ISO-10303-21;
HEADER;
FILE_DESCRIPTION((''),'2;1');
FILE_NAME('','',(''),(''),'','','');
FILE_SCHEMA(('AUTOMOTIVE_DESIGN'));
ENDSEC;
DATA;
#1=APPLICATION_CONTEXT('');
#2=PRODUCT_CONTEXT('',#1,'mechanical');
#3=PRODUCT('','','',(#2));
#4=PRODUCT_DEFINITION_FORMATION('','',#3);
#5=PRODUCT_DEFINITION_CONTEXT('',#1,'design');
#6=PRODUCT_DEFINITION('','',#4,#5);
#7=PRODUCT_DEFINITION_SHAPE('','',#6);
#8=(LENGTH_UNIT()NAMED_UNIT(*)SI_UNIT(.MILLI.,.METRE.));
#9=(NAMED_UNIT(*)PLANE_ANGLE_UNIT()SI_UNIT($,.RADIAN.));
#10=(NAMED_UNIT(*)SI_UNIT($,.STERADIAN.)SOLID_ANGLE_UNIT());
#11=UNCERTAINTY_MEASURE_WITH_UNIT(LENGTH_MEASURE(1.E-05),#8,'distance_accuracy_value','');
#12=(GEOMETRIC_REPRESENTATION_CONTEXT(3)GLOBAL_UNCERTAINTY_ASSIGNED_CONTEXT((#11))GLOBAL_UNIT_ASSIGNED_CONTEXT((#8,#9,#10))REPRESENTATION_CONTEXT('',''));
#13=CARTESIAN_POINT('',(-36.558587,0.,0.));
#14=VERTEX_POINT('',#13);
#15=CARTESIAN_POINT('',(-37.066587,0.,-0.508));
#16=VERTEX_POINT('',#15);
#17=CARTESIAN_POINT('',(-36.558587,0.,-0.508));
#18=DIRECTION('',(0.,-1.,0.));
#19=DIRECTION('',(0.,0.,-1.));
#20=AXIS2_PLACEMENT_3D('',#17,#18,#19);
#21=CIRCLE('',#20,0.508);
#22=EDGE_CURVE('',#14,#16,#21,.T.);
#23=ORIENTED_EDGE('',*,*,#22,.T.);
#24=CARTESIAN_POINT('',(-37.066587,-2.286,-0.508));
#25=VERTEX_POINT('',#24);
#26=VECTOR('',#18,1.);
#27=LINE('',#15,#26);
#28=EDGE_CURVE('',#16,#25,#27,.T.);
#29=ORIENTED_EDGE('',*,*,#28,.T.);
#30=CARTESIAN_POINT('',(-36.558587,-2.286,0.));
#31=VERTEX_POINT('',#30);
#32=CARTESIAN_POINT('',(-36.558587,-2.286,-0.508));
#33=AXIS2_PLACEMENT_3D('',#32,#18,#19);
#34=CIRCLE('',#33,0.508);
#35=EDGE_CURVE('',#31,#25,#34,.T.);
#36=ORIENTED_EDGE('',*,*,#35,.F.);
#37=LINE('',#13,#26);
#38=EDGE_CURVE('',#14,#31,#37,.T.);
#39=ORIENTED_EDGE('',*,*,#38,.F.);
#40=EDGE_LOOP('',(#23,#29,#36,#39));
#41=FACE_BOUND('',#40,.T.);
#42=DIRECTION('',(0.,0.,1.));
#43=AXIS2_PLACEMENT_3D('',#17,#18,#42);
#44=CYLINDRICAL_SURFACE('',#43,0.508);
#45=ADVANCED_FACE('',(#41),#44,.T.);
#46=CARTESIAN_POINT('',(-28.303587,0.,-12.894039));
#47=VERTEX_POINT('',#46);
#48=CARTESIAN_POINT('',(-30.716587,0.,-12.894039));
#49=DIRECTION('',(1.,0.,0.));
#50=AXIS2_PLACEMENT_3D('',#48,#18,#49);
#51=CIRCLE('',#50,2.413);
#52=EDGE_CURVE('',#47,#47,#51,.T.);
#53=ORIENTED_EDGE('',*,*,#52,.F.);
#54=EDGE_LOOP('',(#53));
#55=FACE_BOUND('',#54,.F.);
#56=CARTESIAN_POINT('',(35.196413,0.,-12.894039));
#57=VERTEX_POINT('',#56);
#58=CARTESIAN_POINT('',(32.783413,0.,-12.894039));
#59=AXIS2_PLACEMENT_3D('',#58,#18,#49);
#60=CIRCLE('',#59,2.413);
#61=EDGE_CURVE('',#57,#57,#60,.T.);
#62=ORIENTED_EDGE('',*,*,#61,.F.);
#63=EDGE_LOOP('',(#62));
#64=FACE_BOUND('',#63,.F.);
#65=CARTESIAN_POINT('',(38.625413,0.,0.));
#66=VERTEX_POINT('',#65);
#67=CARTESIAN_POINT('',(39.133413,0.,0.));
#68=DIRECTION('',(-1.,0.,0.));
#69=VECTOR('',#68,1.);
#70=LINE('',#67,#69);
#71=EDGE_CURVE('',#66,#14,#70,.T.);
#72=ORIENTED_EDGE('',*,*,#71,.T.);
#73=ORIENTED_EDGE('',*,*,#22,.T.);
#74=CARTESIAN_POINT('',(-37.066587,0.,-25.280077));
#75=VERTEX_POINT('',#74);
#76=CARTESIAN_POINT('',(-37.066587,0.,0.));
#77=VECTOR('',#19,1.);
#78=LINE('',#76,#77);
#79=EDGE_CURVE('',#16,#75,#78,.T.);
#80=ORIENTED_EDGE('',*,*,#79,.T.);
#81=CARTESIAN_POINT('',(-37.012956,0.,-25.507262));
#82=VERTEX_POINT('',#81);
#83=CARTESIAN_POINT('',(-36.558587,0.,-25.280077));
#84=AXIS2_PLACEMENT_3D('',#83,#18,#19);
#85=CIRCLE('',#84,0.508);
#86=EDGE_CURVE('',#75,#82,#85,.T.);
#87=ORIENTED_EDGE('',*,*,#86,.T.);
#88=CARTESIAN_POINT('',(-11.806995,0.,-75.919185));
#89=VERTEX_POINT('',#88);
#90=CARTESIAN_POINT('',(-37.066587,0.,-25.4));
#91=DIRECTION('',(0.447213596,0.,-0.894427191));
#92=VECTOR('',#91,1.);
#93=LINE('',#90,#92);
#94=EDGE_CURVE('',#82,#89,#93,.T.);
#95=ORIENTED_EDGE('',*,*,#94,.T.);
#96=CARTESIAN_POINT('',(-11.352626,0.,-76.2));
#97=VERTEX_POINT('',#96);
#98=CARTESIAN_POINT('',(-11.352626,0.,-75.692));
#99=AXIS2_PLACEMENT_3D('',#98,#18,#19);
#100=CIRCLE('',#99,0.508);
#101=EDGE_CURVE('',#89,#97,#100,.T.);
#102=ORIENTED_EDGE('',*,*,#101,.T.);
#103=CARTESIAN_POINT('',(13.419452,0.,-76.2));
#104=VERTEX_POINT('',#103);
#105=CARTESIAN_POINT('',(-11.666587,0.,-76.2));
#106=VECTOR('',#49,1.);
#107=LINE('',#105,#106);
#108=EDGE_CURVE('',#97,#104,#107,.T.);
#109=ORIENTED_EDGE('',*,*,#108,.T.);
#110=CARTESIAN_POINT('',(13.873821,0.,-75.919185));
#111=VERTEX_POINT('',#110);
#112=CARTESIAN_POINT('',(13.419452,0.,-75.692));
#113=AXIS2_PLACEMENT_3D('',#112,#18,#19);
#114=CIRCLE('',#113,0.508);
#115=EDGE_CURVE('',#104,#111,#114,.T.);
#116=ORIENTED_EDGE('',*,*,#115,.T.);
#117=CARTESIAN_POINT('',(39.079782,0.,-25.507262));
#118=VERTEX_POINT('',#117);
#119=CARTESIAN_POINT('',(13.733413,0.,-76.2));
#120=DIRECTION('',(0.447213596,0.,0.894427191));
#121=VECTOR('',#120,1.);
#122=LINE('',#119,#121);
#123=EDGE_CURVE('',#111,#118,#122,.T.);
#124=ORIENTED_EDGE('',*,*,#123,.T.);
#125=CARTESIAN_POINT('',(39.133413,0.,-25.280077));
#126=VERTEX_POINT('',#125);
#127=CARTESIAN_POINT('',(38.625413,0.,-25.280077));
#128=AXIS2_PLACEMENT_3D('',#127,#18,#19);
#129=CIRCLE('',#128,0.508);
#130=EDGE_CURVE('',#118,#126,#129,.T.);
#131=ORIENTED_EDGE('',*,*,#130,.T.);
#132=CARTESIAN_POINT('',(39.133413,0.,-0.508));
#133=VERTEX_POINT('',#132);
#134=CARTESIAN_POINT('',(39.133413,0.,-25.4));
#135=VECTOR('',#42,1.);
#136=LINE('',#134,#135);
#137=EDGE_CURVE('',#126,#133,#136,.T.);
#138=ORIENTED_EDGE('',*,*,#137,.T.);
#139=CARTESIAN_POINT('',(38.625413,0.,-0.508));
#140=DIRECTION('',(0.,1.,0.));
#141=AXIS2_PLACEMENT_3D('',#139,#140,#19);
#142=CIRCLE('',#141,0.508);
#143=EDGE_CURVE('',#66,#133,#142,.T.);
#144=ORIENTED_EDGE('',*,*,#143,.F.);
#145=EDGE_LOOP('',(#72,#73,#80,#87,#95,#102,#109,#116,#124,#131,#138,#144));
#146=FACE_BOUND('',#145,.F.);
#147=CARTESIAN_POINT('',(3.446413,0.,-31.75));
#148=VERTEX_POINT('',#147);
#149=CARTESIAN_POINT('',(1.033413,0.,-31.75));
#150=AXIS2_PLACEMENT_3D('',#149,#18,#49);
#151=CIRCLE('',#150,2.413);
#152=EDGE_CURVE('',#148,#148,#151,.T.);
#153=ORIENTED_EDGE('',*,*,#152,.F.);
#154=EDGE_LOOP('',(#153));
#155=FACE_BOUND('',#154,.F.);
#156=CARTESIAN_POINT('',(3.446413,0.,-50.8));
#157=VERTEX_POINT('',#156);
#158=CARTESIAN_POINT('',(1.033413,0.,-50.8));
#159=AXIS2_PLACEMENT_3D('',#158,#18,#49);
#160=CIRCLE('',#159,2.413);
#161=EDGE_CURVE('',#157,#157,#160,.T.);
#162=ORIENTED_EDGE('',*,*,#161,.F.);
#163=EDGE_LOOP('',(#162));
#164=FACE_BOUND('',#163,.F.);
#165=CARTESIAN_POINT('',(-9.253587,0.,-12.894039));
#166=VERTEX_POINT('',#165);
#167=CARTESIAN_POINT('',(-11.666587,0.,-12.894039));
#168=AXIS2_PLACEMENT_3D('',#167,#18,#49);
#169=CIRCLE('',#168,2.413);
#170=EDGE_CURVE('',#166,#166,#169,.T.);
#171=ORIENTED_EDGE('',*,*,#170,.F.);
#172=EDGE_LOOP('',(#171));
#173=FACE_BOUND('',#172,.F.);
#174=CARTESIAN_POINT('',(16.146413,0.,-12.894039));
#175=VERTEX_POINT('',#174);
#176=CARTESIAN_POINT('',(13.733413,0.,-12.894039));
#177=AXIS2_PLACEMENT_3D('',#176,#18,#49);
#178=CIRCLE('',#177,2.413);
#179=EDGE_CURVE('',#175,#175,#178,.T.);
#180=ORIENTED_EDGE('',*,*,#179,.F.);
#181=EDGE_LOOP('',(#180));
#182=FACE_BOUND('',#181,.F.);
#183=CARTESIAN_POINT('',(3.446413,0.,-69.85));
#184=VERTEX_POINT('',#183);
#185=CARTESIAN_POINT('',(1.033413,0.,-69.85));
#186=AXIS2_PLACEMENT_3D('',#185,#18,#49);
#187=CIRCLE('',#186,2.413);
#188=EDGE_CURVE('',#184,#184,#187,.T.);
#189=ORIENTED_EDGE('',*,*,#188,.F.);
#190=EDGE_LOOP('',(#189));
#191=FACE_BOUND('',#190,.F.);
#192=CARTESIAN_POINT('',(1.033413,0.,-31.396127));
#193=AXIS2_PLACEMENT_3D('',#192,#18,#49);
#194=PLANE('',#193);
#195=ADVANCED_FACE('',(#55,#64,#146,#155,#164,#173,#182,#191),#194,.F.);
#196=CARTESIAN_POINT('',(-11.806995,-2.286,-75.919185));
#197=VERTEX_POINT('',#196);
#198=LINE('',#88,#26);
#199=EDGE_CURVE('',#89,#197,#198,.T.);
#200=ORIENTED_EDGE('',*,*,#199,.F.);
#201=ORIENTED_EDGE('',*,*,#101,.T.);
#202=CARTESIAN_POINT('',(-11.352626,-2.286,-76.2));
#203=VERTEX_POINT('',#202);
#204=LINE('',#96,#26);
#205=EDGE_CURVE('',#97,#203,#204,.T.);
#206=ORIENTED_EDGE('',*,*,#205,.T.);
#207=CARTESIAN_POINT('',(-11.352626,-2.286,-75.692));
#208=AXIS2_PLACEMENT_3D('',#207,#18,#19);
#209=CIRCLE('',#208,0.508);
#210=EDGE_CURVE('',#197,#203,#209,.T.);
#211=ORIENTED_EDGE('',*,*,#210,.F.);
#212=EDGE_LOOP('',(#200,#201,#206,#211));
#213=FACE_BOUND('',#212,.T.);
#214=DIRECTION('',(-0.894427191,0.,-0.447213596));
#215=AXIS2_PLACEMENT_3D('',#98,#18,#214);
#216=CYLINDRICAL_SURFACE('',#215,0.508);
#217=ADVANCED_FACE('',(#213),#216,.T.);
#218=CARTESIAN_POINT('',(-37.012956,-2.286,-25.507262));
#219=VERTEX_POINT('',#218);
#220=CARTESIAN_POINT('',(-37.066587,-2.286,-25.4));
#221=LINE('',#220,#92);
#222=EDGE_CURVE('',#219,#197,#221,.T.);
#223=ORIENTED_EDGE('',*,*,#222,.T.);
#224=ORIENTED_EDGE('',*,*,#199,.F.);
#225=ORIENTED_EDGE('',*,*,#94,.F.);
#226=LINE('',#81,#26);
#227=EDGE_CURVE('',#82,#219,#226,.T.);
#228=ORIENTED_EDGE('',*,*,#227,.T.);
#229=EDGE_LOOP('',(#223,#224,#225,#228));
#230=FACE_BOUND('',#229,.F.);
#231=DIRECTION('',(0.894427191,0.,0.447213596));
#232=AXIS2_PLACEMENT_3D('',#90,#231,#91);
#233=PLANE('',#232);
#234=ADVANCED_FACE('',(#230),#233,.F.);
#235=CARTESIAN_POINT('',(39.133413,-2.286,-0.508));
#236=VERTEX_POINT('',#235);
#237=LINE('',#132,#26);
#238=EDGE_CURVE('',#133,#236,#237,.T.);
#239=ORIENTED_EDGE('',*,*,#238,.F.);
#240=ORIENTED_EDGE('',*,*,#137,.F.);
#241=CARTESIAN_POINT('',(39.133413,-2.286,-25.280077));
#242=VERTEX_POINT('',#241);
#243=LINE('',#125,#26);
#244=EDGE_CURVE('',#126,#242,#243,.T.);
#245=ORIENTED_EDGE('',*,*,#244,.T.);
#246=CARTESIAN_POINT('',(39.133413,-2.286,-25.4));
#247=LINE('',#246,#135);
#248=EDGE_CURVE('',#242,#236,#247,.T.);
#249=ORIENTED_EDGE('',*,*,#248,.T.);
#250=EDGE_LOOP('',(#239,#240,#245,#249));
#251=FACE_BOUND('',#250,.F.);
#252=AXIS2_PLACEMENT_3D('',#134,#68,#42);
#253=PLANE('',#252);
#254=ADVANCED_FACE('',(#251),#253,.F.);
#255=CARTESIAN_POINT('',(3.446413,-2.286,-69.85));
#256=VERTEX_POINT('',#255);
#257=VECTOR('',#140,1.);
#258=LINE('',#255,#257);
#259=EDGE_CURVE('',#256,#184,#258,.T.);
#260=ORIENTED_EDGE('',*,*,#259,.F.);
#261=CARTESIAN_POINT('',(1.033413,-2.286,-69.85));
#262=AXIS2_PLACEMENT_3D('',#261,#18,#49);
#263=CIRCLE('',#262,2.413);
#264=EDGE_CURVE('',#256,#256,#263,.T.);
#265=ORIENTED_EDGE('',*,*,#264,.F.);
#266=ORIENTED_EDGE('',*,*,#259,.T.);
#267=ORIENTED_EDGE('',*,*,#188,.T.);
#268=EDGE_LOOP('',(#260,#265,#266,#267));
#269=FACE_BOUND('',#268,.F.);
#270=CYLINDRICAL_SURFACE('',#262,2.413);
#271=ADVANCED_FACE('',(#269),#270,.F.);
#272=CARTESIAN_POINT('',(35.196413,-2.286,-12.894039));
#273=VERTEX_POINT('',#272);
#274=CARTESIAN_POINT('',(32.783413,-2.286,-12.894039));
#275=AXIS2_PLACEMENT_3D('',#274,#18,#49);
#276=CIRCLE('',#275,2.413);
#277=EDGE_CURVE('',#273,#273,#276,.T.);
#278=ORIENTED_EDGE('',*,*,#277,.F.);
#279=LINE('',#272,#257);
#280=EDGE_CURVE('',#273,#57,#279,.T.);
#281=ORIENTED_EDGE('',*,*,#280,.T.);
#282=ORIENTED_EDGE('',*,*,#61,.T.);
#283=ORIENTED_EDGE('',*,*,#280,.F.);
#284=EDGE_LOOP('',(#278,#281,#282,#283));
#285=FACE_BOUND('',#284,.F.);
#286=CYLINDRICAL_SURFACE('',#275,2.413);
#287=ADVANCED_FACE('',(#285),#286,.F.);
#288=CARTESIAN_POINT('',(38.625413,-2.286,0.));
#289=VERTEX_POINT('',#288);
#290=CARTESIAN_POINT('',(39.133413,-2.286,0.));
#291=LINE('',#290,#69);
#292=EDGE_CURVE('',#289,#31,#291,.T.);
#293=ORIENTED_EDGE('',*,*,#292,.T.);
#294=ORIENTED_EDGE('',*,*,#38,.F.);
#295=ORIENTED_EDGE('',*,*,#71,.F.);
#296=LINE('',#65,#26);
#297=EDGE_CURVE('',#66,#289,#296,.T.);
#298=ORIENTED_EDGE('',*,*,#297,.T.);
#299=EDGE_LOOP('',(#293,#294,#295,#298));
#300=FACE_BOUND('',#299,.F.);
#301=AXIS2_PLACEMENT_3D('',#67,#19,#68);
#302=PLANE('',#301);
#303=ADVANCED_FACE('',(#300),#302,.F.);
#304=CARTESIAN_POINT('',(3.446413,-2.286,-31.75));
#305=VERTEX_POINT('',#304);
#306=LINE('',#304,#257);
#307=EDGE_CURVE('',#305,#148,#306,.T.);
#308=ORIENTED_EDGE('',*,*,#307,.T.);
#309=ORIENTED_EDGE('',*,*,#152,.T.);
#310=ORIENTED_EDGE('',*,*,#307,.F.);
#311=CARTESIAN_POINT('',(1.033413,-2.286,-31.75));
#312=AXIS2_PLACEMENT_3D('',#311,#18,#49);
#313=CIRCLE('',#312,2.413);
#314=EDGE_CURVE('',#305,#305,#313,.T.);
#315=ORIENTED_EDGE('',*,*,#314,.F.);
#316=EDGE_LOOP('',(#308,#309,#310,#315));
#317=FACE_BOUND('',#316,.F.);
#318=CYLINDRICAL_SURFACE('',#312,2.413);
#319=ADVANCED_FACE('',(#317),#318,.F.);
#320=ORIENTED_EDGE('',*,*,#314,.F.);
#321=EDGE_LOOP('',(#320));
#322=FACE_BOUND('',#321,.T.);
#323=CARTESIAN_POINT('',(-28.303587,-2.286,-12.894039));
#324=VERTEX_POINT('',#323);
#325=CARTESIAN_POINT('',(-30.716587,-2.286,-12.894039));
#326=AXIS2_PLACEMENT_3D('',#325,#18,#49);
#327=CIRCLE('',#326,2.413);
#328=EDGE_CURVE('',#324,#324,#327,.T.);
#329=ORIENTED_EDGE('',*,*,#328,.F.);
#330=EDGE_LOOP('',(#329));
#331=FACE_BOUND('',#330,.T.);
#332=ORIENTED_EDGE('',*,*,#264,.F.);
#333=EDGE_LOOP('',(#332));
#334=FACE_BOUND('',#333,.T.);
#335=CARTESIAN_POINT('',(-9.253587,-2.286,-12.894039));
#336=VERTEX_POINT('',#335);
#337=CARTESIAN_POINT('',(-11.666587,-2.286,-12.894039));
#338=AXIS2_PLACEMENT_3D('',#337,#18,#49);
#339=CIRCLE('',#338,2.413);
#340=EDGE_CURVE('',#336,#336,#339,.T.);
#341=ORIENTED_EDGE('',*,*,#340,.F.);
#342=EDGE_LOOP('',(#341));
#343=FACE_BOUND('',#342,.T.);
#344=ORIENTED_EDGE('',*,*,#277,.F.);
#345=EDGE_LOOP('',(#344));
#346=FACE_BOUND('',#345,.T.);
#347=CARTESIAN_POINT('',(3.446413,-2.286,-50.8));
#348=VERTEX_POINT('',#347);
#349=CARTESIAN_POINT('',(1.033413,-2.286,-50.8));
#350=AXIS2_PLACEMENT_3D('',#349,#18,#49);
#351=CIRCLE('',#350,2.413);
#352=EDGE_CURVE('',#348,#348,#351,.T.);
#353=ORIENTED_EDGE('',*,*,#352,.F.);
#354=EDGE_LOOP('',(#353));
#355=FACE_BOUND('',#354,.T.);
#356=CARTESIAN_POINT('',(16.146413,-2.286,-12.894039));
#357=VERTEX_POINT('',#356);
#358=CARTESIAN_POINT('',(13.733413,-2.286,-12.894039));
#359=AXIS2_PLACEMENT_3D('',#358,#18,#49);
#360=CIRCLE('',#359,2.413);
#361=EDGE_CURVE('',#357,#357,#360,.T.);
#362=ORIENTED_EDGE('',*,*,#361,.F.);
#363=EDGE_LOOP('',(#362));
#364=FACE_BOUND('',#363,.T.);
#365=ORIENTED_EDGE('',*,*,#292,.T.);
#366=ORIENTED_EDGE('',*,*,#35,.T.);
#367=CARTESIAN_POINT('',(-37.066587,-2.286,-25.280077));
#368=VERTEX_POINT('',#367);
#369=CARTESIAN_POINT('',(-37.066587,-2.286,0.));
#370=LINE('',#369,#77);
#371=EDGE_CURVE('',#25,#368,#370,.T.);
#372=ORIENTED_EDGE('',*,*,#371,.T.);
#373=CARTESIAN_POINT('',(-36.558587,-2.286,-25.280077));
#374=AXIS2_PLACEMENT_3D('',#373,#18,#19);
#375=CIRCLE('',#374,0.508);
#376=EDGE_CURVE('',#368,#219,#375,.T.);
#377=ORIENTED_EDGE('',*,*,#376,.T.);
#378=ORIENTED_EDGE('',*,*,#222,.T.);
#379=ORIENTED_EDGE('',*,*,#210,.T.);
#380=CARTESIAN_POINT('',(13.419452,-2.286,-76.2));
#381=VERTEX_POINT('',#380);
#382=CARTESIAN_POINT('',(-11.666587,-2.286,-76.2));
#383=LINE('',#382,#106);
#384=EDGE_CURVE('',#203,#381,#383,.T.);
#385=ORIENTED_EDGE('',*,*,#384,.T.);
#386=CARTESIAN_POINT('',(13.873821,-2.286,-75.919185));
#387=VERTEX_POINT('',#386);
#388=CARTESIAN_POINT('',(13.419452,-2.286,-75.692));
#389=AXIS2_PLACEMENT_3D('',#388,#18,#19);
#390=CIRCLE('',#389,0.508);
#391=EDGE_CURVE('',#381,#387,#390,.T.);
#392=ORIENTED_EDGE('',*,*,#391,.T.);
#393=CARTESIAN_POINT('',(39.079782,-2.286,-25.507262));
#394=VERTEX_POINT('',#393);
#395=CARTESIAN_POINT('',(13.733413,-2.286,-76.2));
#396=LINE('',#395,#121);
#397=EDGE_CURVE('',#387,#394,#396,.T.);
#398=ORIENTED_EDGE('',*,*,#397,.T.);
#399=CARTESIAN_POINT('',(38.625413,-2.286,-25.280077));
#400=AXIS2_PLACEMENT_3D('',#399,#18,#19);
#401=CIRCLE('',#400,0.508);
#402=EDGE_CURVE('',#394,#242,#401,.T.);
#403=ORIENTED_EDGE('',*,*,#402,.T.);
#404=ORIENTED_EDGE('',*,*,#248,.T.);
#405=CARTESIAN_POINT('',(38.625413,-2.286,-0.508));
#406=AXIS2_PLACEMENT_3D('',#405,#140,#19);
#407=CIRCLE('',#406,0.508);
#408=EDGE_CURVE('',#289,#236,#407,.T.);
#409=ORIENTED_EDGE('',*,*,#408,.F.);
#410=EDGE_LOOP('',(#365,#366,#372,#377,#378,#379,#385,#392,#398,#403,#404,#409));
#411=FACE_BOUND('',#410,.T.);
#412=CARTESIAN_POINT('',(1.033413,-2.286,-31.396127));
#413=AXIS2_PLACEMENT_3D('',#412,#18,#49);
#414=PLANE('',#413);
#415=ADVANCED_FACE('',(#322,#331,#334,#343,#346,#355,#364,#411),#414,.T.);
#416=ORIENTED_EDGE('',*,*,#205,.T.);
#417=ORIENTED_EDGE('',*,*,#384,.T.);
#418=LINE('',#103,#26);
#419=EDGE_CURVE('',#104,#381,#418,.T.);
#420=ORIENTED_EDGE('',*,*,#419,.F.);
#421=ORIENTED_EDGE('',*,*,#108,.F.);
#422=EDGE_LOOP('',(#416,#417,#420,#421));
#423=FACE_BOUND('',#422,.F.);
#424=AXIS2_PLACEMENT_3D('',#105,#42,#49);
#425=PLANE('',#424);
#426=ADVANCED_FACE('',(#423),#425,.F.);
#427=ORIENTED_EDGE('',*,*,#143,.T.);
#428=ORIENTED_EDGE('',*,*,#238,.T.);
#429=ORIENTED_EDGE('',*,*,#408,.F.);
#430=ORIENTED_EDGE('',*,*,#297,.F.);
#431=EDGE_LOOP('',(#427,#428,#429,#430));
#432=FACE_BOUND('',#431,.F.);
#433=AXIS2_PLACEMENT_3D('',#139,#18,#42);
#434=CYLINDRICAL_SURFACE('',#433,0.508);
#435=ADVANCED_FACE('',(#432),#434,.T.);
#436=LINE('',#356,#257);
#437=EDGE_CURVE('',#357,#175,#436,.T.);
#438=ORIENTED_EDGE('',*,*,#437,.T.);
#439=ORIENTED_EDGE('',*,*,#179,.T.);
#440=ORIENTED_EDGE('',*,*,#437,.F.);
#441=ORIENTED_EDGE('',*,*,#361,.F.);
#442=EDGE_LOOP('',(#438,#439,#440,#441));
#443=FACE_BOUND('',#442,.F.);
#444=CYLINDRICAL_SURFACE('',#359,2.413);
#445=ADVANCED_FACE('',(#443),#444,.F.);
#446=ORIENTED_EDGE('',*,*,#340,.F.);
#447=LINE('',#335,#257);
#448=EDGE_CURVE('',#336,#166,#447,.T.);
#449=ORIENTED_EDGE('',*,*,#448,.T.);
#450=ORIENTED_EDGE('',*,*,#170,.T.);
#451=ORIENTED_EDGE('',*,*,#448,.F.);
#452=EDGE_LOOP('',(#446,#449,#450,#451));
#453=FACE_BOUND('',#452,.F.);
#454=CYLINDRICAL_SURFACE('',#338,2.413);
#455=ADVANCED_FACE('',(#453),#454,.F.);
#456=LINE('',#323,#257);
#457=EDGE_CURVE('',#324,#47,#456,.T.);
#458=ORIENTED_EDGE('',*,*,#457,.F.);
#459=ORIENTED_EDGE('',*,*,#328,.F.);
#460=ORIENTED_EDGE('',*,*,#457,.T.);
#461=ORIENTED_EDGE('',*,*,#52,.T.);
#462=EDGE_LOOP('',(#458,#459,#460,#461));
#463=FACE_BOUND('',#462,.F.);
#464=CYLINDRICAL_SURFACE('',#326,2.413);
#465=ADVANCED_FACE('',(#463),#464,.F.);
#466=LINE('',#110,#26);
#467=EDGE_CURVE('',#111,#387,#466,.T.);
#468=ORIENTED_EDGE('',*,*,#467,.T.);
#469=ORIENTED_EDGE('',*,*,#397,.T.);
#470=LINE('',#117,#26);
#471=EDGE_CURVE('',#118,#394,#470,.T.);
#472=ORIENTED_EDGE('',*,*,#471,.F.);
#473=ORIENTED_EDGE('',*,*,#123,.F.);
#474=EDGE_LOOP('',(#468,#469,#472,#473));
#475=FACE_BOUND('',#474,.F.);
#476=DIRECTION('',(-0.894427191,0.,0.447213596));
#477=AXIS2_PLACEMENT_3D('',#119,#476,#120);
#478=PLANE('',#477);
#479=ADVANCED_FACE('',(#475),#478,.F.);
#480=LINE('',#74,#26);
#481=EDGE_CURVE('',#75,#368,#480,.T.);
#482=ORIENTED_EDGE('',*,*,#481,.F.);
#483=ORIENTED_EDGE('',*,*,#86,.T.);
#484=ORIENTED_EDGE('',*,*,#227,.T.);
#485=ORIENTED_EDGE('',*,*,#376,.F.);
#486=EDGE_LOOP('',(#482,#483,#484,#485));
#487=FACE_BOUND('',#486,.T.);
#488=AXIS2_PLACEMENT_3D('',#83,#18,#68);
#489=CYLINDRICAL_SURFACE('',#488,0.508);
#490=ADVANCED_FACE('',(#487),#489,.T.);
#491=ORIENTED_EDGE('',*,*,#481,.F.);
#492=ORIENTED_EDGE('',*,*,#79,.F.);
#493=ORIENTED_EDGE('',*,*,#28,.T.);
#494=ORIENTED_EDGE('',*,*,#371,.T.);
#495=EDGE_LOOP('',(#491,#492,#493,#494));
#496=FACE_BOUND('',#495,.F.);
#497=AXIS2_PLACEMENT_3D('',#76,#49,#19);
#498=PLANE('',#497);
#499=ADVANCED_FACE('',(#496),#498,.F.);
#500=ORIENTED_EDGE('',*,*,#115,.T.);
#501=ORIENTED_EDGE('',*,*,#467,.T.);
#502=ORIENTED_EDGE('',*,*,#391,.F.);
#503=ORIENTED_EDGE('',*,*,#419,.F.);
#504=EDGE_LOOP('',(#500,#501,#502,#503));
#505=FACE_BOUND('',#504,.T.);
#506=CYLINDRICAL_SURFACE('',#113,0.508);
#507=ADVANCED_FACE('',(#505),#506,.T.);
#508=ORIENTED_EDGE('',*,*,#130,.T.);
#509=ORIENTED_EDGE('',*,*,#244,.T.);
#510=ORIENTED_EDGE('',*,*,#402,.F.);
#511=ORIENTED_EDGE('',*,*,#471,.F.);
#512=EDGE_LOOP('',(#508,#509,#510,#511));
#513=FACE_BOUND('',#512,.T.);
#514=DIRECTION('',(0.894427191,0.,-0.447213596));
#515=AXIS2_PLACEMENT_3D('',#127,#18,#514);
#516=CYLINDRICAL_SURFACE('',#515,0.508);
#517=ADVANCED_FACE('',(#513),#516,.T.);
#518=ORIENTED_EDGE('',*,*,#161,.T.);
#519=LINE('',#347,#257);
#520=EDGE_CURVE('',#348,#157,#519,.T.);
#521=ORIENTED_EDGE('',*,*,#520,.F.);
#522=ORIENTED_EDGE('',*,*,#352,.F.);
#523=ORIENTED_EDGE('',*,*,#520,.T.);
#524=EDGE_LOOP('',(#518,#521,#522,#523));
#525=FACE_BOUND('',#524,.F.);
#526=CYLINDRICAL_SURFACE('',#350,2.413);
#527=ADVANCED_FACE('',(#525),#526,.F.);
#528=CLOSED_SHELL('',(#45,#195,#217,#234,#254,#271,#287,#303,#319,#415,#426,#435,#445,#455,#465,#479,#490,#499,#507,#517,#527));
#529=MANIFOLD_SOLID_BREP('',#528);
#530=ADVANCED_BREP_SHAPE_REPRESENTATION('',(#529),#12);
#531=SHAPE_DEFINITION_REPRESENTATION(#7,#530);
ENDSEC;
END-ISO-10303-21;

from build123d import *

# Parameters (mm, degrees)
F1_DEPTH = 2.286
F2_R     = 0.508
F3_R     = 2.413
F4_DEPTH = 2.286


with BuildPart() as f1:
    # F0 (on Front) → F1 (new body)
    with BuildSketch(Plane.XZ):
        Polygon((39.133413, 0), (-37.066587, 0), (-37.066587, -25.4), (-11.666587, -76.2), (13.733413, -76.2), (39.133413, -25.4), align=None)
    extrude(amount=F1_DEPTH)

    # F2
    f2_edges = [f1.edges().sort_by_distance(p)[0] for p in [
        (-37.066587, -1.143, 0),
        (-37.066587, -1.143, -25.4),
        (39.133413, -1.143, 0),
        (39.133413, -1.143, -25.4),
        (13.733413, -1.143, -76.2),
        (-11.666587, -1.143, -76.2),
    ]]
    fillet(f2_edges, radius=F2_R)

    # F3 (on face) → F4 (cut)
    with BuildSketch(Plane.XZ.offset(2.286)):
        with Locations((-30.716587, -12.894039)):
            Circle(F3_R)
        with Locations((-11.666587, -12.894039)):
            Circle(F3_R)
        with Locations((13.733413, -12.894039)):
            Circle(F3_R)
        with Locations((32.783413, -12.894039)):
            Circle(F3_R)
        with Locations((1.033413, -31.75)):
            Circle(F3_R)
        with Locations((1.033413, -50.8)):
            Circle(F3_R)
        with Locations((1.033413, -69.85)):
            Circle(F3_R)
    extrude(amount=-F4_DEPTH, mode=Mode.SUBTRACT)


solid = f1.part
